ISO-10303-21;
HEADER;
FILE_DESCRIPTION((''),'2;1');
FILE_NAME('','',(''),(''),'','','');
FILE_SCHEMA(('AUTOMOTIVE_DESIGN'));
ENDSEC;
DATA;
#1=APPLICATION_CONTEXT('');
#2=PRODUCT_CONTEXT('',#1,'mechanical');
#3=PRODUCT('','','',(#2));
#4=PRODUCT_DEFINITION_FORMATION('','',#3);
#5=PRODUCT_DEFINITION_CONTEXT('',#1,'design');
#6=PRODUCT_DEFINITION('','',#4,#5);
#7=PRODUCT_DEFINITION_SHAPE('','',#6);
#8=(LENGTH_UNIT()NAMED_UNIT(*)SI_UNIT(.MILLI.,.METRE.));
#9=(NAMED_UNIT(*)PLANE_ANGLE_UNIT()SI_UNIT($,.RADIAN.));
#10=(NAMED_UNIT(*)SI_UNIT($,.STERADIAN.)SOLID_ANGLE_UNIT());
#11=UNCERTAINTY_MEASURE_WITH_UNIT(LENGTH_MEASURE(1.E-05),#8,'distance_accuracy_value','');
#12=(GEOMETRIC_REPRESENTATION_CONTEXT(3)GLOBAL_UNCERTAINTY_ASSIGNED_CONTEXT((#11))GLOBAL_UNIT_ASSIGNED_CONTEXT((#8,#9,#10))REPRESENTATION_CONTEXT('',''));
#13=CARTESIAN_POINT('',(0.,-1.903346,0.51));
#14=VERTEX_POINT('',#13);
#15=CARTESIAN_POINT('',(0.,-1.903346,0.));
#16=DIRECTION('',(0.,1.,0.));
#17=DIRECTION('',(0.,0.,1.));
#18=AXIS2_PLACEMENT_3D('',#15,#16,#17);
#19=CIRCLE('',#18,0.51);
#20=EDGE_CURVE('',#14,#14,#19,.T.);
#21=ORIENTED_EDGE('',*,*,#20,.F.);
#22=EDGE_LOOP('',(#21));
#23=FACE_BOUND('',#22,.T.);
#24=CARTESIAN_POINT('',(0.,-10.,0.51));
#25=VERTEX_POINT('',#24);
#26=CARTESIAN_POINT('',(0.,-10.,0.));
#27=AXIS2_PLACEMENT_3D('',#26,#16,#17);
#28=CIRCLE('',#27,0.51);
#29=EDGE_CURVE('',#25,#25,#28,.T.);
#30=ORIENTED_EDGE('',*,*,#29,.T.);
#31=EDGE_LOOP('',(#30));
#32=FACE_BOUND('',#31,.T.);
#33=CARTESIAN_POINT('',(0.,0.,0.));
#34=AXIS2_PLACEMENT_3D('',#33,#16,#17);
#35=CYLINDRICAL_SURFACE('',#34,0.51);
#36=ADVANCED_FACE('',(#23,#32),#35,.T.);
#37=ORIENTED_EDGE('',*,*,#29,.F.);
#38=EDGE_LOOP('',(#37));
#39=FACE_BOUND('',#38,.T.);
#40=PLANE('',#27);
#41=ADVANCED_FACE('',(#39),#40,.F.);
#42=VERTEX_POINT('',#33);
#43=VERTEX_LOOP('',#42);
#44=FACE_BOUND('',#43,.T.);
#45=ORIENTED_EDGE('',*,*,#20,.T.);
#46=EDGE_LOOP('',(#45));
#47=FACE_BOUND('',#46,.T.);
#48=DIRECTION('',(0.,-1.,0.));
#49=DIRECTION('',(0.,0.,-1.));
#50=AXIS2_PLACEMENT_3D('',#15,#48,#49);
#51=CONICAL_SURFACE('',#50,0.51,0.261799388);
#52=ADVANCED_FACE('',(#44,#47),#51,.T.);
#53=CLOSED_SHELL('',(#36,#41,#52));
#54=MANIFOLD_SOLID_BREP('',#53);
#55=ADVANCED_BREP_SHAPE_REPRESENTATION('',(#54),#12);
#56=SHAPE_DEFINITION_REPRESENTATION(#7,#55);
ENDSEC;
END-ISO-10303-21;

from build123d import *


with BuildPart() as part:
    # Sketch1 → Revolve1 (revolve)
    with BuildSketch(Plane(origin=(0, 0, 0), x_dir=(0, 0, -1), z_dir=(1, 0, 0))):
        Polygon((0, 0), (0, -10), (0.51, -10), (0.51, -1.903345912), align=None)
    revolve(axis=Axis((0, 0, 0), (0, -1, 0)))


solid = part.part
